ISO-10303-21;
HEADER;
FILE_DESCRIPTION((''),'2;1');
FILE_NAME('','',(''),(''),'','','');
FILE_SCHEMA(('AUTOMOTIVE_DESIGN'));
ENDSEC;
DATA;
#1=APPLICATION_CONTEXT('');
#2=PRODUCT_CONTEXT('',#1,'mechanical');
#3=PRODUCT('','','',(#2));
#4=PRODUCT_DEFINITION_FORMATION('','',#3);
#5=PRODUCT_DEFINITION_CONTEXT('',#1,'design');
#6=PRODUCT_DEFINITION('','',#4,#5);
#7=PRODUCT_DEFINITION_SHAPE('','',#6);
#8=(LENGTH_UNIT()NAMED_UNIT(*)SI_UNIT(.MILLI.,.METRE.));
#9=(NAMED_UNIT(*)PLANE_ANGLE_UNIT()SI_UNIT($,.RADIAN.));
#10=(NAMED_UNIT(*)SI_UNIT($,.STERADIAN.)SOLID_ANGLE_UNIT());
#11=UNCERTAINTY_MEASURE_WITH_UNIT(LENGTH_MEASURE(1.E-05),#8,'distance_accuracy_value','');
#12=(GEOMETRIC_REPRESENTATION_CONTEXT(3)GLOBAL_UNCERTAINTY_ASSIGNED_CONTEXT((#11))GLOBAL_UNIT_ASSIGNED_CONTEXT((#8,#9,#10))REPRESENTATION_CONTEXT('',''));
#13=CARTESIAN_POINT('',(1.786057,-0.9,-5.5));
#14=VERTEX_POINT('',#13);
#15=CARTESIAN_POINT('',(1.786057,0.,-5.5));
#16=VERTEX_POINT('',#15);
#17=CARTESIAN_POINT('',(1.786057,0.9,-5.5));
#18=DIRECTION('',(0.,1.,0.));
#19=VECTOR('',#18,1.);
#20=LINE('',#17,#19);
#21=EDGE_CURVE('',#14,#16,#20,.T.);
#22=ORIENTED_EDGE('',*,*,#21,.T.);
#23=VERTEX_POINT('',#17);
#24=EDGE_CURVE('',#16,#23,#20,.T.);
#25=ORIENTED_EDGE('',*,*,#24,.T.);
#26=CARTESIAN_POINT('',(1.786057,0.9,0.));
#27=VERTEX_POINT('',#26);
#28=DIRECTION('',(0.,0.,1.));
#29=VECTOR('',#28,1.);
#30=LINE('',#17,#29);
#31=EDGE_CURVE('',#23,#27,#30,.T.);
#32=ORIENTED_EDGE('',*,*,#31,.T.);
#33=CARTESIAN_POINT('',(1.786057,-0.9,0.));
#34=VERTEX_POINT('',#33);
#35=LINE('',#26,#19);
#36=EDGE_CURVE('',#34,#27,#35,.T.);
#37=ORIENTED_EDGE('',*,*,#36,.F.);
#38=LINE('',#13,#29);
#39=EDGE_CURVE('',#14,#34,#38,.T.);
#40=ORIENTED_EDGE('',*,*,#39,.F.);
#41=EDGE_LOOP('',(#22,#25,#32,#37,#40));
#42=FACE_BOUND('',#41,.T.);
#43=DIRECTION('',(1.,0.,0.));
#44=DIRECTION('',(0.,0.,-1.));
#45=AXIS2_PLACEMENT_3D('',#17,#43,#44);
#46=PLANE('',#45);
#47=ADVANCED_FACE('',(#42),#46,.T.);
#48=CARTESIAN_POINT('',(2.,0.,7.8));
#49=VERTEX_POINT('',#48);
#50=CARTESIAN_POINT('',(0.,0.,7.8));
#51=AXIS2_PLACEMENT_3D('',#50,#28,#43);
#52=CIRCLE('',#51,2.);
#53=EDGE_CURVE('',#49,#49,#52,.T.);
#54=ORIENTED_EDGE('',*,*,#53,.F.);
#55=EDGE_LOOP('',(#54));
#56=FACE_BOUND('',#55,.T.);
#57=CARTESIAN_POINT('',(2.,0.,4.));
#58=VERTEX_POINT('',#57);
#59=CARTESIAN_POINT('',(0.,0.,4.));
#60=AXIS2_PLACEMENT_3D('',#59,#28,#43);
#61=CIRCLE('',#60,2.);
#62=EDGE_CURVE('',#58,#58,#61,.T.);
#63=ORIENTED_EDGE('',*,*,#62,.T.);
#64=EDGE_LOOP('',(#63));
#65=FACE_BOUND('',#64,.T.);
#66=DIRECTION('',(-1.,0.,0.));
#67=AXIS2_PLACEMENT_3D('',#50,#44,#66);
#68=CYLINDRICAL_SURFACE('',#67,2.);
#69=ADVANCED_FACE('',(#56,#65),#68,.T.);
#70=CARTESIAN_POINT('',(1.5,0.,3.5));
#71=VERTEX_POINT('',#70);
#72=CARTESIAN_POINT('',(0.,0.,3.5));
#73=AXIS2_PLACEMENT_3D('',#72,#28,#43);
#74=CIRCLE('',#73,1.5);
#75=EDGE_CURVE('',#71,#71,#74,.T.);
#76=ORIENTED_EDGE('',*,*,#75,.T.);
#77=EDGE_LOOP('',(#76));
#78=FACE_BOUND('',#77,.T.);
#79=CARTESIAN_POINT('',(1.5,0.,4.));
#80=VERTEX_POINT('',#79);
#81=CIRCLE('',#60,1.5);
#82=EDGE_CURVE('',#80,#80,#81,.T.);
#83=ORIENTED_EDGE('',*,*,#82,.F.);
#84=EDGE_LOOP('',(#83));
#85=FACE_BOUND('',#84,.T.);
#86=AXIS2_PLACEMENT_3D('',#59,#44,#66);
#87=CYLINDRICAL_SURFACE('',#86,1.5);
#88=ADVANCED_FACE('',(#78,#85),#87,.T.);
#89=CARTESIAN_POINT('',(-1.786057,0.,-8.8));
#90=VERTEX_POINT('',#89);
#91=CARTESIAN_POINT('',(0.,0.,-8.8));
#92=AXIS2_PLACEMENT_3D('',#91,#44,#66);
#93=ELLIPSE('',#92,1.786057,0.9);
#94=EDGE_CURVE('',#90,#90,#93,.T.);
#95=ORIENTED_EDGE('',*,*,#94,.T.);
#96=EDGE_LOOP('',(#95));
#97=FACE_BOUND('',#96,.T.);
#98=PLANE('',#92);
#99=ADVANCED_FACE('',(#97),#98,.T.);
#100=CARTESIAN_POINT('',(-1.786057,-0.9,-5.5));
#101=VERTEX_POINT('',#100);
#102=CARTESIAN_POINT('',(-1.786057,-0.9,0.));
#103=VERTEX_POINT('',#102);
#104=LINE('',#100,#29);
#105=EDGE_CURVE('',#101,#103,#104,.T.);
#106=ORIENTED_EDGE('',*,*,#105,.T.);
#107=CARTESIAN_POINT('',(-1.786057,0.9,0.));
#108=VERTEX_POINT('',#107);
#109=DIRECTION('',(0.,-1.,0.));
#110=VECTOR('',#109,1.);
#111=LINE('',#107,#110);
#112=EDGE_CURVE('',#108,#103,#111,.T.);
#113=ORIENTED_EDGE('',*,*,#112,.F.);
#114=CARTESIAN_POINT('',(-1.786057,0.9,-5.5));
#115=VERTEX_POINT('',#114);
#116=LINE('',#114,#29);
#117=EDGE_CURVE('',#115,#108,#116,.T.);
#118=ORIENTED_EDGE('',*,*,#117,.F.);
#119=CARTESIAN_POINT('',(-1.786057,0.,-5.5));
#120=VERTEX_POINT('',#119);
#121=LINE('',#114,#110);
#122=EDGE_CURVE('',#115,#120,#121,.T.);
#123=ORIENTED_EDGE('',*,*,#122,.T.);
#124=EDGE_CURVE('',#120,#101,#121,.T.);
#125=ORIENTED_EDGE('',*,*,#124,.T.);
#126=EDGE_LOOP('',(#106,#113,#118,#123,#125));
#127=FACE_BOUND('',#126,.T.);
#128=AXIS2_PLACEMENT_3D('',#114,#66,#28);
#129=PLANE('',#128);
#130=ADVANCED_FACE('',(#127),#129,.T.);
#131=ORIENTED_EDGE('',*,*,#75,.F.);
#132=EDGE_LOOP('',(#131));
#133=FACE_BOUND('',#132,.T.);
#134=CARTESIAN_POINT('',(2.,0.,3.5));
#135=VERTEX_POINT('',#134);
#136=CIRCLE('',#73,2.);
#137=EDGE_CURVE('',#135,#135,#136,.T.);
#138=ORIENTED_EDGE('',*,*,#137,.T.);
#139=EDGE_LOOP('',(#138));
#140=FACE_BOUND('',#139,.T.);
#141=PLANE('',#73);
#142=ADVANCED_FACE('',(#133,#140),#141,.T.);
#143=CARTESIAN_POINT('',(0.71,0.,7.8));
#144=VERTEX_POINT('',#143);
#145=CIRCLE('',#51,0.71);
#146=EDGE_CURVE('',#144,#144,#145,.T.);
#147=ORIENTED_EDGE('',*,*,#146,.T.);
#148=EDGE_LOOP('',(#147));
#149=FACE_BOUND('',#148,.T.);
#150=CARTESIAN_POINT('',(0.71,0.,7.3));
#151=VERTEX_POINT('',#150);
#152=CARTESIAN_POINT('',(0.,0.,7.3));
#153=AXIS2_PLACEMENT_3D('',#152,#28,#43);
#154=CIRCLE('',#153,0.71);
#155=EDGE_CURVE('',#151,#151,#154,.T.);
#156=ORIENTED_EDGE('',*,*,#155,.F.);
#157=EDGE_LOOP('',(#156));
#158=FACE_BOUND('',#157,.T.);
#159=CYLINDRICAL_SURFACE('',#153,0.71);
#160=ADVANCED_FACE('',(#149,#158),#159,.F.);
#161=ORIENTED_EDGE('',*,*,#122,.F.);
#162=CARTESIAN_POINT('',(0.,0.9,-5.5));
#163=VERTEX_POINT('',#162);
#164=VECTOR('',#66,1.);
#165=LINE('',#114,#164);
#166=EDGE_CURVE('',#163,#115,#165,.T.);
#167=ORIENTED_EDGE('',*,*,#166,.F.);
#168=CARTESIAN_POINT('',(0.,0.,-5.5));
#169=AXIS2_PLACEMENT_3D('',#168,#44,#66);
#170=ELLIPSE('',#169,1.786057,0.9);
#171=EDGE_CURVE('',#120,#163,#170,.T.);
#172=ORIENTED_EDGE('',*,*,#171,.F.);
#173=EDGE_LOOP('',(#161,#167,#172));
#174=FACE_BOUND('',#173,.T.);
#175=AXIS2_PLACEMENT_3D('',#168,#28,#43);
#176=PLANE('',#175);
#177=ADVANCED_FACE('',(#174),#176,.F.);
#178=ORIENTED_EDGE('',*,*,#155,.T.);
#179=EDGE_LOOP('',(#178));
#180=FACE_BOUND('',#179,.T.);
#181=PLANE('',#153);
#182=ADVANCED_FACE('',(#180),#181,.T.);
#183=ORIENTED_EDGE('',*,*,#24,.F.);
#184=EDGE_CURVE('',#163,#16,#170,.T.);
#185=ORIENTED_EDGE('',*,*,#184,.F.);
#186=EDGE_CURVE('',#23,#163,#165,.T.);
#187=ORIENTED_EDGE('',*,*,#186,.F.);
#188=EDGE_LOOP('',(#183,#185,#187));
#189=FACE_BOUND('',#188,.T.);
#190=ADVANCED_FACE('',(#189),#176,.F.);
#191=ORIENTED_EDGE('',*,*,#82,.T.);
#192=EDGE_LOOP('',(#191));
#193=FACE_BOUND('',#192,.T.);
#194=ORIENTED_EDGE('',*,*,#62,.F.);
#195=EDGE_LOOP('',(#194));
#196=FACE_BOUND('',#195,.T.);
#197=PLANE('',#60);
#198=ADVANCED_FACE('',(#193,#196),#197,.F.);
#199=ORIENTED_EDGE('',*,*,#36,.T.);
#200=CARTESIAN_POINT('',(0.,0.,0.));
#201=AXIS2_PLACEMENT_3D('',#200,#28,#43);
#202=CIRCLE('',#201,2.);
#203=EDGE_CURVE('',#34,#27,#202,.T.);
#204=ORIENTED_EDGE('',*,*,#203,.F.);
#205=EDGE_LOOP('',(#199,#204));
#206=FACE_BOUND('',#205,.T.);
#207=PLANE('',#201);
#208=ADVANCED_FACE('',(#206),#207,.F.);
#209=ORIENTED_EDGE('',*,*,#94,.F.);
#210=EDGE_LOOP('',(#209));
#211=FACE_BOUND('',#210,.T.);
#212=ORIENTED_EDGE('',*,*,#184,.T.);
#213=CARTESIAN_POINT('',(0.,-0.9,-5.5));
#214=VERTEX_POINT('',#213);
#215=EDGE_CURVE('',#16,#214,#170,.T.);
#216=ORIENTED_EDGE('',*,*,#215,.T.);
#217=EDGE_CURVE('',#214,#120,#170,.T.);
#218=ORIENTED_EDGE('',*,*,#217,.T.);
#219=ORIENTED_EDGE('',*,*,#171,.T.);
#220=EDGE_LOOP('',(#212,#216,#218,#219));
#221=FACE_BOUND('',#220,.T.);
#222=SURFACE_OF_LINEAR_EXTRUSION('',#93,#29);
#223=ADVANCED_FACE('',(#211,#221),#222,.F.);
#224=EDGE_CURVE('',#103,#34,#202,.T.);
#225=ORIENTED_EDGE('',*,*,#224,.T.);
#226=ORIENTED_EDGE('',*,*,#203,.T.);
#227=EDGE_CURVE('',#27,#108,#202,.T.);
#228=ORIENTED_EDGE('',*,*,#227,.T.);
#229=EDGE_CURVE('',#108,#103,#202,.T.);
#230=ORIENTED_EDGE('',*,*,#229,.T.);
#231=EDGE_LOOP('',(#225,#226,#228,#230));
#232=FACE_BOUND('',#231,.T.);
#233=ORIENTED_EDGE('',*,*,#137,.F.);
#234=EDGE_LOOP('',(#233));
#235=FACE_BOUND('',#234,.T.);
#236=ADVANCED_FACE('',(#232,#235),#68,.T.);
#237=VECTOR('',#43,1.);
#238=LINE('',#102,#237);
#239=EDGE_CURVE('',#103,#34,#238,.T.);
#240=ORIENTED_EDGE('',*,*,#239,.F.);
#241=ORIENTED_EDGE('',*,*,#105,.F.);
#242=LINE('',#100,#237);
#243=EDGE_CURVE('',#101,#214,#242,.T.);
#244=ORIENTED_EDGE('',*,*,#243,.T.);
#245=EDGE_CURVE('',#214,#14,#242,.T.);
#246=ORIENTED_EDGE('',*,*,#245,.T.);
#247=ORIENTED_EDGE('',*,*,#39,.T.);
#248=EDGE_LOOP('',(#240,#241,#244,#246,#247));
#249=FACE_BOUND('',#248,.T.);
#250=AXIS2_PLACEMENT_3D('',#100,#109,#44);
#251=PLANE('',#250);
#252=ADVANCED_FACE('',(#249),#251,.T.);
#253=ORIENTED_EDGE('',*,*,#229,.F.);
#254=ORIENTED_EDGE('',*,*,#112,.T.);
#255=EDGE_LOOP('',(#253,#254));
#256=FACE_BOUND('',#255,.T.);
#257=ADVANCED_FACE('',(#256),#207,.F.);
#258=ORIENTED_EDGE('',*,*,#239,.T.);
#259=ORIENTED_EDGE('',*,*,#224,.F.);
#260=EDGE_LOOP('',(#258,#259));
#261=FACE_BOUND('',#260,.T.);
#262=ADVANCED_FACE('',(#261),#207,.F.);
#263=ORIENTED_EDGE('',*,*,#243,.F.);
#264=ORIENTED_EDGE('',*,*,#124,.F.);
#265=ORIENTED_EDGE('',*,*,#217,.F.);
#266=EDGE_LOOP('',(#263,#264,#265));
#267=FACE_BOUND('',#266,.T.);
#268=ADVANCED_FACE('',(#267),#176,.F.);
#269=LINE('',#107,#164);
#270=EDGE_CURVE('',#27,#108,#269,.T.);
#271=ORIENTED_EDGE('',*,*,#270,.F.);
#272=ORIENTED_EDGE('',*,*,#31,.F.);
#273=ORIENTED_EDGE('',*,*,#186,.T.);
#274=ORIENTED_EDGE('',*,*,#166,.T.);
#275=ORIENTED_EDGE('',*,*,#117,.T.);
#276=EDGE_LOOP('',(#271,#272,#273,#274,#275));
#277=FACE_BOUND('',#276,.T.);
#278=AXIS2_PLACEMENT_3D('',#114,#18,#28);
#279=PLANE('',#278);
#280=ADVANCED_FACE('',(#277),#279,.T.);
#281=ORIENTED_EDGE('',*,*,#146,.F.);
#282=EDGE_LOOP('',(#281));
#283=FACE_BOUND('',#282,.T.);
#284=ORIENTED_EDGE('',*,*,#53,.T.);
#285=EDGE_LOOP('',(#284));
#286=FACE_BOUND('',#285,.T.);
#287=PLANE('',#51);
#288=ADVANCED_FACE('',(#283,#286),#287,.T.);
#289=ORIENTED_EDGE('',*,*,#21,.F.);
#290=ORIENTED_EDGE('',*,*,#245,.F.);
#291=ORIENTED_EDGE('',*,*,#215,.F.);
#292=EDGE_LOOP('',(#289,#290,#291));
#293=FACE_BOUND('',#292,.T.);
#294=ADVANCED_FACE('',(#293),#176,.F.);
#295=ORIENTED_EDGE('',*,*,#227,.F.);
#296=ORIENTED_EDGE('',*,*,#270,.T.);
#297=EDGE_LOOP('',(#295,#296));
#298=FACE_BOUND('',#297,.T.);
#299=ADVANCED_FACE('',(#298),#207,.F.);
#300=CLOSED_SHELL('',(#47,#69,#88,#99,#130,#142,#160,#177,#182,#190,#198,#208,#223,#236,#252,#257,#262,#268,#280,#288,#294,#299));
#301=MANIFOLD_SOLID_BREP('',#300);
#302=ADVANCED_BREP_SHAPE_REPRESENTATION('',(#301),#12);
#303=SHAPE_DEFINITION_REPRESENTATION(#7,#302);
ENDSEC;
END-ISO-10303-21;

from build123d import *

# Parameters (mm, degrees)
SKETCH_1_R          = 2
EXTRUDE_1_DEPTH     = 7.8
CUT_EXTRUDE_START   = 3.5
SKETCH_2_R          = 2
SKETCH_2_R_2        = 1.5
CUT_EXTRUDE_1_DEPTH = 0.5
SKETCH_3_R          = 0.71
CUT_EXTRUDE_2_DEPTH = 0.5
SKETCH_4_W          = 3.57211422
SKETCH_4_H          = 1.8
EXTRUDE_2_DEPTH     = 5.5
SKETCH_5_RX         = 1.78605711
SKETCH_5_RY         = 0.9
EXTRUDE_3_DEPTH     = 3.3


with BuildPart() as part:
    # 草图1 → 凸台-拉伸1 (new body)
    with BuildSketch(Plane.XY):
        Circle(SKETCH_1_R)
    extrude(amount=EXTRUDE_1_DEPTH)

    # 草图2 → 切除-拉伸1 (cut)
    with BuildSketch(Plane.XY.offset(CUT_EXTRUDE_START)):
        Circle(SKETCH_2_R)
        Circle(SKETCH_2_R_2, mode=Mode.SUBTRACT)
    extrude(amount=CUT_EXTRUDE_1_DEPTH, mode=Mode.SUBTRACT)

    # 草图3 → 切除-拉伸2 (cut)
    with BuildSketch(Plane.XY.offset(7.8)):
        Circle(SKETCH_3_R)
    extrude(amount=-CUT_EXTRUDE_2_DEPTH, mode=Mode.SUBTRACT)

    # 草图4 → 凸台-拉伸2 (add)
    with BuildSketch(Plane.XY):
        Rectangle(SKETCH_4_W, SKETCH_4_H)
    extrude(amount=-EXTRUDE_2_DEPTH)

    # 草图5 → 凸台-拉伸3 (add)
    with BuildSketch(Plane(origin=(0, 0, -5.5), x_dir=(-1, 0, 0), z_dir=(0, 0, -1))):
        with Locations((0, 0)):
            Ellipse(SKETCH_5_RX, SKETCH_5_RY)
    extrude(amount=EXTRUDE_3_DEPTH)


solid = part.part
